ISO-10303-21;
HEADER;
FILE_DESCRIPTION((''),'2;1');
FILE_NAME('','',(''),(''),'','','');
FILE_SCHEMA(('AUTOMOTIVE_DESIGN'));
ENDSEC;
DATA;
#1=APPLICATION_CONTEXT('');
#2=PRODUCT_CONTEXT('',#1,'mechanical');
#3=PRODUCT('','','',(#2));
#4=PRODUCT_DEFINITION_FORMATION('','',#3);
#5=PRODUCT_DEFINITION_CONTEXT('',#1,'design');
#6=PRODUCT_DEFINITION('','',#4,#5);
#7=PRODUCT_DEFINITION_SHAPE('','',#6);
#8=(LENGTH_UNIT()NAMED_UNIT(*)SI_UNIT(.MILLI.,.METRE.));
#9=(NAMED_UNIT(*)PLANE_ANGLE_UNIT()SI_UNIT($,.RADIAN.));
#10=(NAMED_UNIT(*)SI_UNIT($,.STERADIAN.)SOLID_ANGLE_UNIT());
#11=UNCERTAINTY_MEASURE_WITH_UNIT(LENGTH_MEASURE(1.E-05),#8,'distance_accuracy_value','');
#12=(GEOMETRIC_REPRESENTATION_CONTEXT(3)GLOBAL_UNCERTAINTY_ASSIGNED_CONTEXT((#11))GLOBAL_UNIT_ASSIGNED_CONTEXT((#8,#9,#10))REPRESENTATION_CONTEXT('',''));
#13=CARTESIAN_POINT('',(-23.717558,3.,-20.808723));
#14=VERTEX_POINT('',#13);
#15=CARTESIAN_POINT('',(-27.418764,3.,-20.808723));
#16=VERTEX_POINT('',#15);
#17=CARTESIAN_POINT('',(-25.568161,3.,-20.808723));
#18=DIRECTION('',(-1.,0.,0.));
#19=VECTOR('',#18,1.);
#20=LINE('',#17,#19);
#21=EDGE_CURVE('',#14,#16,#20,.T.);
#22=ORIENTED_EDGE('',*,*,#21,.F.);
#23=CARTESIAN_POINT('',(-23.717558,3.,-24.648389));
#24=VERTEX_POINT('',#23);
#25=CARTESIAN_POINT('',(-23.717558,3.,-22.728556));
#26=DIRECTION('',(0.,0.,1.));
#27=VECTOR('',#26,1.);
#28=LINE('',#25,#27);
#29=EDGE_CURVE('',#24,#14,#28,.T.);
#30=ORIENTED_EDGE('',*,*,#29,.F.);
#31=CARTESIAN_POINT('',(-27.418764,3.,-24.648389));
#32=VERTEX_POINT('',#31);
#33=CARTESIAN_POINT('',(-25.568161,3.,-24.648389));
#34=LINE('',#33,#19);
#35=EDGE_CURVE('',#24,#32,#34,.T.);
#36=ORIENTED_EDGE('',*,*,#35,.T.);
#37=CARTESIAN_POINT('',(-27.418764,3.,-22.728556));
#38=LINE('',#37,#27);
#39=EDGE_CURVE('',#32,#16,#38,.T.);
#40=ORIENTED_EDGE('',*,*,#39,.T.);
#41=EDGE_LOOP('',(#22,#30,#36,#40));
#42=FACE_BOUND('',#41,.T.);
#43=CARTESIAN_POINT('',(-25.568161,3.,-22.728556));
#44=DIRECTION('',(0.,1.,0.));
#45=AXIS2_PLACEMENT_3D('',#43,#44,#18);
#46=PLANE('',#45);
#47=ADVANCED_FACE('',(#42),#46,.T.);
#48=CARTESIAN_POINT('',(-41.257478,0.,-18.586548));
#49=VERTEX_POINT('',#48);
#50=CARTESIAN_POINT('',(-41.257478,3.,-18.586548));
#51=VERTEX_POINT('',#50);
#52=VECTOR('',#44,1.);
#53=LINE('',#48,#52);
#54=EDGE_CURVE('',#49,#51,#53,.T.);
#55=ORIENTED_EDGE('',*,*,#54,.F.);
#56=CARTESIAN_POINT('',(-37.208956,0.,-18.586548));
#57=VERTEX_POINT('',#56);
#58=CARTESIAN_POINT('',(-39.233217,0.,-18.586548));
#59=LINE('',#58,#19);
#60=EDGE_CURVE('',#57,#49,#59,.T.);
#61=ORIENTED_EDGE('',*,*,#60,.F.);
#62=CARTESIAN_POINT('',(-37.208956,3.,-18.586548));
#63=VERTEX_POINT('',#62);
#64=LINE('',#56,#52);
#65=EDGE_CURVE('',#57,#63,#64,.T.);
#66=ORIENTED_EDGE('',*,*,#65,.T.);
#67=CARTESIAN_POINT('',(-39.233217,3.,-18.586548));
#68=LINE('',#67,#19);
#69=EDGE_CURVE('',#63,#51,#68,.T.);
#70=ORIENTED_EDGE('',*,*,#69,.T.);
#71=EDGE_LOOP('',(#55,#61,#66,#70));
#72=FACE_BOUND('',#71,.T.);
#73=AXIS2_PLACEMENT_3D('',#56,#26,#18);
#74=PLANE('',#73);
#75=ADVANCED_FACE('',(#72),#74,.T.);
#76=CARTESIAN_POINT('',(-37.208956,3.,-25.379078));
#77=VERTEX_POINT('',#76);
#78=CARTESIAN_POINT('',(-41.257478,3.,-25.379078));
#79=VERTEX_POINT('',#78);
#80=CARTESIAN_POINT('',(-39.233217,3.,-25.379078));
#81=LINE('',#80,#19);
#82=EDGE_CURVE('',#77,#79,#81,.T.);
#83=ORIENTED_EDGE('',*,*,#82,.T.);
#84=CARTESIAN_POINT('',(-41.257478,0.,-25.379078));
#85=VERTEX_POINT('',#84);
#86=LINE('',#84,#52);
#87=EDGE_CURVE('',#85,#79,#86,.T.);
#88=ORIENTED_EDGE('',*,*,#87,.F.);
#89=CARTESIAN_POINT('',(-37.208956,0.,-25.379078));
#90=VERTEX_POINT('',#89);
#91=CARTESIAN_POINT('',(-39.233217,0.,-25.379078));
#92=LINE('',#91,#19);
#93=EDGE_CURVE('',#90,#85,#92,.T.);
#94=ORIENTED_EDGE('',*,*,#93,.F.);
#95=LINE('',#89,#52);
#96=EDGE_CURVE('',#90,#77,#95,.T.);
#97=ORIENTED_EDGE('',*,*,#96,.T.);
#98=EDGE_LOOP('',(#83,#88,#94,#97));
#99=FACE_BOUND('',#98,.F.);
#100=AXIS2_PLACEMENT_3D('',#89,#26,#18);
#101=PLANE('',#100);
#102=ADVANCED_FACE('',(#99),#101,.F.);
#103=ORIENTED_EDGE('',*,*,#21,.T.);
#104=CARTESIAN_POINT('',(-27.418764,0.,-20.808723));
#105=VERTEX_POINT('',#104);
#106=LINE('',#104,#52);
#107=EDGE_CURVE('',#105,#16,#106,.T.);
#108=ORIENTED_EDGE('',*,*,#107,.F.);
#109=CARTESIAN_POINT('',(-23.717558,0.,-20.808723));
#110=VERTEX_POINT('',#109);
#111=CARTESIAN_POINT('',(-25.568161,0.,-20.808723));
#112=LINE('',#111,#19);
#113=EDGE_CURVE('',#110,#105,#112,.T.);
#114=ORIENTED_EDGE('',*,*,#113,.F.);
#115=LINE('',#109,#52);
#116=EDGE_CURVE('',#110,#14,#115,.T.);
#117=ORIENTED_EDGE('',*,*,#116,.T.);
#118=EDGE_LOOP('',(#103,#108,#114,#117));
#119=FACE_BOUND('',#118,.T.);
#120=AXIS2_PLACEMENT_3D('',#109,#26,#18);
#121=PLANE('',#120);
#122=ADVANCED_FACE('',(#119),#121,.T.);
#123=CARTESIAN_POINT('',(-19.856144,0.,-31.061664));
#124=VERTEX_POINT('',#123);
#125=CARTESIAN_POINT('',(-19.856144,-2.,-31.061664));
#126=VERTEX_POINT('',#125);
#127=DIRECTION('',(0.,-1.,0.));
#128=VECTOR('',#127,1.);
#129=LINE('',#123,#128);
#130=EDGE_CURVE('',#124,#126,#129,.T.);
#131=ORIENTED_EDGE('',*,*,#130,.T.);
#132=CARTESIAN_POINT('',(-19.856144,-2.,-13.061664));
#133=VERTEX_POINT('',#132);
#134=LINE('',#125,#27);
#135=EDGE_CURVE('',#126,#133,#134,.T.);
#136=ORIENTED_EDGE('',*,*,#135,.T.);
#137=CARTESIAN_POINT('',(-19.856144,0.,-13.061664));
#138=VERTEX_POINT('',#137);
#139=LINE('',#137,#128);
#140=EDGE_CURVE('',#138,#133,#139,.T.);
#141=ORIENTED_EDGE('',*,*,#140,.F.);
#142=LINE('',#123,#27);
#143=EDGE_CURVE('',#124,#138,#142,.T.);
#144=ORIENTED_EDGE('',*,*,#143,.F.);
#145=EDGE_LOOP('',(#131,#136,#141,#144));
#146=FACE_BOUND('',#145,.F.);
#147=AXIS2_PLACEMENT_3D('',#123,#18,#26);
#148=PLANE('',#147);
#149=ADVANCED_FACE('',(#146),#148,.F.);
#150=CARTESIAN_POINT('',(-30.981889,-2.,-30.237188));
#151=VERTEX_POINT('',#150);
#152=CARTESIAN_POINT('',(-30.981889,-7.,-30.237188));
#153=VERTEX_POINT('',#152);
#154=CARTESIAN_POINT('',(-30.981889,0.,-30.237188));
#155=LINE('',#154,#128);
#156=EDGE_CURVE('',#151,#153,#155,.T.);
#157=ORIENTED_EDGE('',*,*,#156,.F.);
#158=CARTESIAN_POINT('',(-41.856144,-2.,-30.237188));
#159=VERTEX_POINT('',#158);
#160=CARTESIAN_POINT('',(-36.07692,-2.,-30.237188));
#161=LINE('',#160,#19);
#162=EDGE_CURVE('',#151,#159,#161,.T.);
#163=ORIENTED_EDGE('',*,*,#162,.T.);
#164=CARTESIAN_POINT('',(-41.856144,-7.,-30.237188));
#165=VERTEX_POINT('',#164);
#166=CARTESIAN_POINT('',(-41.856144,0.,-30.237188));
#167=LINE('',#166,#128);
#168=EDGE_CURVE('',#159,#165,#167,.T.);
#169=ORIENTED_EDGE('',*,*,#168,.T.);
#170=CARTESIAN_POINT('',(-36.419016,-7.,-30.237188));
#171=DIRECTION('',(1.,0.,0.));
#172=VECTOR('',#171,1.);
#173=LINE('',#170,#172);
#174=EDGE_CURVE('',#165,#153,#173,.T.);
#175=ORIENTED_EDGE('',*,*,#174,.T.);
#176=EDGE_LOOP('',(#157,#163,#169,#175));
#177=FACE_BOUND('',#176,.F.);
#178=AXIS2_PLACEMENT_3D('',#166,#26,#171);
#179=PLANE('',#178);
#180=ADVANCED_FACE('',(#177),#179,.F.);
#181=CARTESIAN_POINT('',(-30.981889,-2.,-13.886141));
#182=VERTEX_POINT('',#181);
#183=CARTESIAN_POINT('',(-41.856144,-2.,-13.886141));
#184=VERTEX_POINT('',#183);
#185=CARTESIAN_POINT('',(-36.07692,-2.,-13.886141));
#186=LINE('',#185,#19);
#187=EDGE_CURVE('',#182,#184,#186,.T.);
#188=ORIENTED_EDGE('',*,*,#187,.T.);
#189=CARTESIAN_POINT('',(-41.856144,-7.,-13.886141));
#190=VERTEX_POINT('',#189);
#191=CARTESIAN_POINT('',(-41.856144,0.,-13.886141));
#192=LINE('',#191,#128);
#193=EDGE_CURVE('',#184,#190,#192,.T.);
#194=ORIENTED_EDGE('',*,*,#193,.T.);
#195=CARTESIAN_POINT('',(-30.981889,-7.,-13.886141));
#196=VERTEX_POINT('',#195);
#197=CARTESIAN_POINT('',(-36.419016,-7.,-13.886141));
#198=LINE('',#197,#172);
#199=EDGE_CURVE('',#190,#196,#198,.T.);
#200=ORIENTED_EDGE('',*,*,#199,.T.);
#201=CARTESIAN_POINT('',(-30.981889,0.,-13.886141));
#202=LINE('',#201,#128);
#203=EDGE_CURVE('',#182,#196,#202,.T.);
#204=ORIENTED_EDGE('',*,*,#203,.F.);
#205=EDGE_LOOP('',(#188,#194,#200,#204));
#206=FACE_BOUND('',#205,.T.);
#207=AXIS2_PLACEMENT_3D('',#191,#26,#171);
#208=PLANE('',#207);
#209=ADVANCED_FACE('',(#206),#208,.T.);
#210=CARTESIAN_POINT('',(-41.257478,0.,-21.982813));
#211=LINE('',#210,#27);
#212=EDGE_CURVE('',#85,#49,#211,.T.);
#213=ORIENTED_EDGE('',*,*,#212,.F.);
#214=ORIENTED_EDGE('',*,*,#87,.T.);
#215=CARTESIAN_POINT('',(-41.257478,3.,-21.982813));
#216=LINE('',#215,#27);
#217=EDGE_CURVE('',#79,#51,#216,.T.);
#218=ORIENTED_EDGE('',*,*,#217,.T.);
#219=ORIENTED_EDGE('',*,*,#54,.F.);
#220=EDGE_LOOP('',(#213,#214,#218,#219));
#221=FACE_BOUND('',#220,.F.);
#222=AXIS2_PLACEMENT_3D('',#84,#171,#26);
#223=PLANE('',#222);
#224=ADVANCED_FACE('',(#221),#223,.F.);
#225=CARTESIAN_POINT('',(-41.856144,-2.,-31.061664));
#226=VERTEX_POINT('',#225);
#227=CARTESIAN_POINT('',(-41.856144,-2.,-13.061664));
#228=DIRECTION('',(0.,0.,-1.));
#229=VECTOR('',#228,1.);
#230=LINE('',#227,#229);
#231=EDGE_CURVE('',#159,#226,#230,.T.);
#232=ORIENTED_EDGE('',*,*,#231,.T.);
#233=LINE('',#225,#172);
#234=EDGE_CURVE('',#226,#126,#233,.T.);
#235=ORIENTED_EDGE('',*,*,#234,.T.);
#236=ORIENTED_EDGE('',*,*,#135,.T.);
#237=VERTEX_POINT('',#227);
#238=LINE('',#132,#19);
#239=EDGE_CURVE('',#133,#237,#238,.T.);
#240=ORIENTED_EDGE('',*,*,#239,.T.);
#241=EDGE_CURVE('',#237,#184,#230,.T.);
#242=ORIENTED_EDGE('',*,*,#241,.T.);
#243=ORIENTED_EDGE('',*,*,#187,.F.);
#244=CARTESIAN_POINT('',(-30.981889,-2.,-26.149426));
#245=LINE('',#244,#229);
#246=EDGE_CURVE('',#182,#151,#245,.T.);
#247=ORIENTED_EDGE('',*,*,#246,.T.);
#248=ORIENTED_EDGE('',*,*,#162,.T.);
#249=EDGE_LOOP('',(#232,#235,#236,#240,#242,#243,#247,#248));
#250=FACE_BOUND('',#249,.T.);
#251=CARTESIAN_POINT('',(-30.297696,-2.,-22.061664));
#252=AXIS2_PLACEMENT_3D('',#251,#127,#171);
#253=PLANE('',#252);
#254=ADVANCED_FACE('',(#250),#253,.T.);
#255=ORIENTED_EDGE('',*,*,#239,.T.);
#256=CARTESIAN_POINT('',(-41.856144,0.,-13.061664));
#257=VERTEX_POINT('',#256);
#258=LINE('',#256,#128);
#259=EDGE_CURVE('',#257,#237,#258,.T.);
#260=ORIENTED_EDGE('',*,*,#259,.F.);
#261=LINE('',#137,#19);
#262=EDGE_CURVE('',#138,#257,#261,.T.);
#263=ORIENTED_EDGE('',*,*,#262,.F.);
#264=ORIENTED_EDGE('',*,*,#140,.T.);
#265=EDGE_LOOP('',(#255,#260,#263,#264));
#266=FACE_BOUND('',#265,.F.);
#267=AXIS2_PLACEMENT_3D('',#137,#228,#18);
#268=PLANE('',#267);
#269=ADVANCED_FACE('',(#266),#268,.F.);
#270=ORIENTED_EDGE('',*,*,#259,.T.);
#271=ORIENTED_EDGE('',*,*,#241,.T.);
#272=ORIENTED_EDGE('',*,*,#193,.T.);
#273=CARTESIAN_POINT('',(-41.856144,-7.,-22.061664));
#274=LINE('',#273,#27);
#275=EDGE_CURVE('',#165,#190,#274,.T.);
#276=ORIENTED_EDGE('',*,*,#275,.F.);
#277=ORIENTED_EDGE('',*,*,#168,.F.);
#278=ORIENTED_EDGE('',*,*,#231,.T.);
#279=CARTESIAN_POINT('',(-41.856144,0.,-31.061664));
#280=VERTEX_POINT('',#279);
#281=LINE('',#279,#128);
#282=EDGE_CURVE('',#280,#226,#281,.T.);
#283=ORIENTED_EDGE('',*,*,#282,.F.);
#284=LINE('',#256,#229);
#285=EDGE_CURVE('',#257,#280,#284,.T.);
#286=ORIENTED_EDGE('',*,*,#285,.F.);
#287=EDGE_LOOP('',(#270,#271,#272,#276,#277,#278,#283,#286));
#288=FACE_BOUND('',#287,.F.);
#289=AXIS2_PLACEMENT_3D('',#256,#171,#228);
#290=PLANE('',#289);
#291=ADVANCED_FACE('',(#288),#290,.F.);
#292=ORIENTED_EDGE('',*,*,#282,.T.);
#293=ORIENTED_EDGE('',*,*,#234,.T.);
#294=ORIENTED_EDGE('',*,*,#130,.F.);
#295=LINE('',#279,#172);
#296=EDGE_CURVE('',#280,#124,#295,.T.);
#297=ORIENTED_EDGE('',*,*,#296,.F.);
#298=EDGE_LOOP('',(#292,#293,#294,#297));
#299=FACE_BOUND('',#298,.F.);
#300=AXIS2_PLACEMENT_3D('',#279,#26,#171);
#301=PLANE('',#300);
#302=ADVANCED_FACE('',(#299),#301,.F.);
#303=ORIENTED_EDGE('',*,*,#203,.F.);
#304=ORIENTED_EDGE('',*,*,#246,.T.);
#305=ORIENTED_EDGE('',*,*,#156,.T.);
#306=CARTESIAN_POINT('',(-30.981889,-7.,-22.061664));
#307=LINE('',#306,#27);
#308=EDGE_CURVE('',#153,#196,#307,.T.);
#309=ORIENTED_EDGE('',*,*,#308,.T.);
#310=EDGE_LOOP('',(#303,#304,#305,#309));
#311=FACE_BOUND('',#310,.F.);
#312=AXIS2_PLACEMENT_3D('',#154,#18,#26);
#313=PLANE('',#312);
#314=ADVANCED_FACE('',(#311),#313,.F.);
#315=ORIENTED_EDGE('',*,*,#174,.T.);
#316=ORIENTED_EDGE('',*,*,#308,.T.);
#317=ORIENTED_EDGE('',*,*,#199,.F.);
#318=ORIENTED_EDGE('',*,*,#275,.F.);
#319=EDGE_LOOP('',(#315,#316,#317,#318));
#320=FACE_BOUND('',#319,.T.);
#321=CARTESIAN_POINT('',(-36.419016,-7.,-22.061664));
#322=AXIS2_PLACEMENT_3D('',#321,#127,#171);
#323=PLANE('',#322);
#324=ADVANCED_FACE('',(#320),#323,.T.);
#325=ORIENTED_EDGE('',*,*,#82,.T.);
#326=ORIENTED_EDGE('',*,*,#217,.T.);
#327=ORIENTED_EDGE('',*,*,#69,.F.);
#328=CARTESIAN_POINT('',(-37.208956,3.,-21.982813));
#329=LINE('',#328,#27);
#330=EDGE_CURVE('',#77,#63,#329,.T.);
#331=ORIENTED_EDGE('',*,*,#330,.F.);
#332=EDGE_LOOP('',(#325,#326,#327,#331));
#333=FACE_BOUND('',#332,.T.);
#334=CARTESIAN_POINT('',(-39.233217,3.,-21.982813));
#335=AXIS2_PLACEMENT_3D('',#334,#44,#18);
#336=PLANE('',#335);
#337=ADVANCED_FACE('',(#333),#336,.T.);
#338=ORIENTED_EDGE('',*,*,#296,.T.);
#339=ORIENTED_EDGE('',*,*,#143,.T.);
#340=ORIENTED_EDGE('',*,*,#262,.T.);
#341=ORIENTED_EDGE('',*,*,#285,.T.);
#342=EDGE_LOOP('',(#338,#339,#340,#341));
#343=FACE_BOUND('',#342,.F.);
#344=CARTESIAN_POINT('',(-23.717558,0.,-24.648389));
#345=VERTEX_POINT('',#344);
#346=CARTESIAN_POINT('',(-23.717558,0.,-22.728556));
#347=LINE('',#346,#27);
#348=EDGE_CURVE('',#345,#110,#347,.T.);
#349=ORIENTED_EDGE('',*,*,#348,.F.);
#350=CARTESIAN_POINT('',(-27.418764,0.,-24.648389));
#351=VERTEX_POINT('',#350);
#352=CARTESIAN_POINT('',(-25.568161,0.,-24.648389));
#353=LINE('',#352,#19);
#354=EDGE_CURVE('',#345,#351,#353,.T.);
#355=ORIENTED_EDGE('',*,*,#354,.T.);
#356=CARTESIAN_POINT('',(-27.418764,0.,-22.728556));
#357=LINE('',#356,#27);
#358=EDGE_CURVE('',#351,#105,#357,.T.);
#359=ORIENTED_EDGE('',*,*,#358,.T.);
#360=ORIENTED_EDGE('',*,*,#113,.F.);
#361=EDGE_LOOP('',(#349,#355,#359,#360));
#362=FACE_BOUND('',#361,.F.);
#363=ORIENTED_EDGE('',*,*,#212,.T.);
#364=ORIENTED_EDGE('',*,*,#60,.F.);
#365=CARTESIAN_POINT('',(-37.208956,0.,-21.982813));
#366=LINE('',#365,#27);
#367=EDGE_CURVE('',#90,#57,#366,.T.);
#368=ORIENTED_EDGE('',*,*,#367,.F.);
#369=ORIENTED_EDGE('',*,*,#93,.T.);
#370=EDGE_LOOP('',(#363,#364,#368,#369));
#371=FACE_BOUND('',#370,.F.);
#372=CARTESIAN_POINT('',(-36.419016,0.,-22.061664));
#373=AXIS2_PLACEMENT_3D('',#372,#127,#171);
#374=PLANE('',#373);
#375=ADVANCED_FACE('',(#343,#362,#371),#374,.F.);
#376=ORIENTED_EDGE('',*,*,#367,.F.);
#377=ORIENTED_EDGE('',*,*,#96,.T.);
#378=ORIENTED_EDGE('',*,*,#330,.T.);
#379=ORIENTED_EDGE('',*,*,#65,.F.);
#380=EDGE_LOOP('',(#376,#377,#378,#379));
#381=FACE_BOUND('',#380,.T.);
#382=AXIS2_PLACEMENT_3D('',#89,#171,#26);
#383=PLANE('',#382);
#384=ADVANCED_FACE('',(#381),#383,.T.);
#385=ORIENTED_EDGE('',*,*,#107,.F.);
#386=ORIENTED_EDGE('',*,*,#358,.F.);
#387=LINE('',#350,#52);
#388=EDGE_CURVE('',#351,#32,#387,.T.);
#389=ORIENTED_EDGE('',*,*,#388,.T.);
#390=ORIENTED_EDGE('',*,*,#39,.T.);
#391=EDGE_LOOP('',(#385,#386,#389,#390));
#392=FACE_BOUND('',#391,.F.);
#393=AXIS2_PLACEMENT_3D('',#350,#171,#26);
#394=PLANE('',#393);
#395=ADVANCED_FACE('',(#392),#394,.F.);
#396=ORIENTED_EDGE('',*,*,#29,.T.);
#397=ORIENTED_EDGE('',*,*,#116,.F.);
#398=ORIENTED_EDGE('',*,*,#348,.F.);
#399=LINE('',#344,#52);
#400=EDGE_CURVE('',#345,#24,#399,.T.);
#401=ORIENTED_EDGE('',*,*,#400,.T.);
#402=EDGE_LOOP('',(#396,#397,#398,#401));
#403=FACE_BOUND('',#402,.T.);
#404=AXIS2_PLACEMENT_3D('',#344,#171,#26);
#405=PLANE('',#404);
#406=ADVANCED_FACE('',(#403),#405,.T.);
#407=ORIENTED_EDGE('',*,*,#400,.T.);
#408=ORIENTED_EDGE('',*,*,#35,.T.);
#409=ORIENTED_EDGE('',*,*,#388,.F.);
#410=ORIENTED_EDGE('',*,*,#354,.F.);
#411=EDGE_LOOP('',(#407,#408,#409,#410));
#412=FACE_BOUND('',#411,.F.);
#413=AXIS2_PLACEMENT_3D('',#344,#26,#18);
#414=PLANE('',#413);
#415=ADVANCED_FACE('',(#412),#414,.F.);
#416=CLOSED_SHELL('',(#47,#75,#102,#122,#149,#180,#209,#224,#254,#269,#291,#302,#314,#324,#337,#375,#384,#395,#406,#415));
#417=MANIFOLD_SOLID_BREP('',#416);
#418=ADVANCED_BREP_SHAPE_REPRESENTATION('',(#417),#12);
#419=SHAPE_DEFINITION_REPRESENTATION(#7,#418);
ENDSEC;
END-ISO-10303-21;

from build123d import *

# Parameters (mm, degrees)
F0_W     = 10.874254629
F0_H     = 16.3510471284
F1_DEPTH = 2
F2_DEPTH = 7
F3_W     = 4.0485225618
F3_H     = 6.7925304174
F3_W_2   = 3.7012062967
F3_H_2   = 3.8396660239
F4_DEPTH = 3


with BuildPart() as f1:
    # F0 (on Front) → F1 (new body)
    with BuildSketch(Plane.XZ):
        Polygon((-19.8561436236, -13.0616642237), (-41.8561436236, -13.0616642237), (-41.8561436236, -13.8861406595), (-30.9818889946, -13.8861406595), (-30.9818889946, -30.2371877879), (-41.8561436236, -30.2371877879), (-41.8561436236, -31.0616642237), (-19.8561436236, -31.0616642237), align=None)
        with Locations((-36.4190163091, -22.0616642237)):
            Rectangle(F0_W, F0_H)
    extrude(amount=F1_DEPTH)

    # F0 (on Front) → F2 (join)
    with BuildSketch(Plane.XZ):
        with Locations((-36.4190163091, -22.0616642237)):
            Rectangle(F0_W, F0_H)
    extrude(amount=F2_DEPTH)

    # F3 (on face) → F4 (join)
    with BuildSketch(Plane(origin=(0, 0, 0), x_dir=(-1, 0, 0), z_dir=(0, 1, 0))):
        with Locations((39.2332170159, -21.982813254)):
            Rectangle(F3_W, F3_H)
        with Locations((25.5681611598, -22.7285558358)):
            Rectangle(F3_W_2, F3_H_2)
    extrude(amount=F4_DEPTH)


solid = f1.part
